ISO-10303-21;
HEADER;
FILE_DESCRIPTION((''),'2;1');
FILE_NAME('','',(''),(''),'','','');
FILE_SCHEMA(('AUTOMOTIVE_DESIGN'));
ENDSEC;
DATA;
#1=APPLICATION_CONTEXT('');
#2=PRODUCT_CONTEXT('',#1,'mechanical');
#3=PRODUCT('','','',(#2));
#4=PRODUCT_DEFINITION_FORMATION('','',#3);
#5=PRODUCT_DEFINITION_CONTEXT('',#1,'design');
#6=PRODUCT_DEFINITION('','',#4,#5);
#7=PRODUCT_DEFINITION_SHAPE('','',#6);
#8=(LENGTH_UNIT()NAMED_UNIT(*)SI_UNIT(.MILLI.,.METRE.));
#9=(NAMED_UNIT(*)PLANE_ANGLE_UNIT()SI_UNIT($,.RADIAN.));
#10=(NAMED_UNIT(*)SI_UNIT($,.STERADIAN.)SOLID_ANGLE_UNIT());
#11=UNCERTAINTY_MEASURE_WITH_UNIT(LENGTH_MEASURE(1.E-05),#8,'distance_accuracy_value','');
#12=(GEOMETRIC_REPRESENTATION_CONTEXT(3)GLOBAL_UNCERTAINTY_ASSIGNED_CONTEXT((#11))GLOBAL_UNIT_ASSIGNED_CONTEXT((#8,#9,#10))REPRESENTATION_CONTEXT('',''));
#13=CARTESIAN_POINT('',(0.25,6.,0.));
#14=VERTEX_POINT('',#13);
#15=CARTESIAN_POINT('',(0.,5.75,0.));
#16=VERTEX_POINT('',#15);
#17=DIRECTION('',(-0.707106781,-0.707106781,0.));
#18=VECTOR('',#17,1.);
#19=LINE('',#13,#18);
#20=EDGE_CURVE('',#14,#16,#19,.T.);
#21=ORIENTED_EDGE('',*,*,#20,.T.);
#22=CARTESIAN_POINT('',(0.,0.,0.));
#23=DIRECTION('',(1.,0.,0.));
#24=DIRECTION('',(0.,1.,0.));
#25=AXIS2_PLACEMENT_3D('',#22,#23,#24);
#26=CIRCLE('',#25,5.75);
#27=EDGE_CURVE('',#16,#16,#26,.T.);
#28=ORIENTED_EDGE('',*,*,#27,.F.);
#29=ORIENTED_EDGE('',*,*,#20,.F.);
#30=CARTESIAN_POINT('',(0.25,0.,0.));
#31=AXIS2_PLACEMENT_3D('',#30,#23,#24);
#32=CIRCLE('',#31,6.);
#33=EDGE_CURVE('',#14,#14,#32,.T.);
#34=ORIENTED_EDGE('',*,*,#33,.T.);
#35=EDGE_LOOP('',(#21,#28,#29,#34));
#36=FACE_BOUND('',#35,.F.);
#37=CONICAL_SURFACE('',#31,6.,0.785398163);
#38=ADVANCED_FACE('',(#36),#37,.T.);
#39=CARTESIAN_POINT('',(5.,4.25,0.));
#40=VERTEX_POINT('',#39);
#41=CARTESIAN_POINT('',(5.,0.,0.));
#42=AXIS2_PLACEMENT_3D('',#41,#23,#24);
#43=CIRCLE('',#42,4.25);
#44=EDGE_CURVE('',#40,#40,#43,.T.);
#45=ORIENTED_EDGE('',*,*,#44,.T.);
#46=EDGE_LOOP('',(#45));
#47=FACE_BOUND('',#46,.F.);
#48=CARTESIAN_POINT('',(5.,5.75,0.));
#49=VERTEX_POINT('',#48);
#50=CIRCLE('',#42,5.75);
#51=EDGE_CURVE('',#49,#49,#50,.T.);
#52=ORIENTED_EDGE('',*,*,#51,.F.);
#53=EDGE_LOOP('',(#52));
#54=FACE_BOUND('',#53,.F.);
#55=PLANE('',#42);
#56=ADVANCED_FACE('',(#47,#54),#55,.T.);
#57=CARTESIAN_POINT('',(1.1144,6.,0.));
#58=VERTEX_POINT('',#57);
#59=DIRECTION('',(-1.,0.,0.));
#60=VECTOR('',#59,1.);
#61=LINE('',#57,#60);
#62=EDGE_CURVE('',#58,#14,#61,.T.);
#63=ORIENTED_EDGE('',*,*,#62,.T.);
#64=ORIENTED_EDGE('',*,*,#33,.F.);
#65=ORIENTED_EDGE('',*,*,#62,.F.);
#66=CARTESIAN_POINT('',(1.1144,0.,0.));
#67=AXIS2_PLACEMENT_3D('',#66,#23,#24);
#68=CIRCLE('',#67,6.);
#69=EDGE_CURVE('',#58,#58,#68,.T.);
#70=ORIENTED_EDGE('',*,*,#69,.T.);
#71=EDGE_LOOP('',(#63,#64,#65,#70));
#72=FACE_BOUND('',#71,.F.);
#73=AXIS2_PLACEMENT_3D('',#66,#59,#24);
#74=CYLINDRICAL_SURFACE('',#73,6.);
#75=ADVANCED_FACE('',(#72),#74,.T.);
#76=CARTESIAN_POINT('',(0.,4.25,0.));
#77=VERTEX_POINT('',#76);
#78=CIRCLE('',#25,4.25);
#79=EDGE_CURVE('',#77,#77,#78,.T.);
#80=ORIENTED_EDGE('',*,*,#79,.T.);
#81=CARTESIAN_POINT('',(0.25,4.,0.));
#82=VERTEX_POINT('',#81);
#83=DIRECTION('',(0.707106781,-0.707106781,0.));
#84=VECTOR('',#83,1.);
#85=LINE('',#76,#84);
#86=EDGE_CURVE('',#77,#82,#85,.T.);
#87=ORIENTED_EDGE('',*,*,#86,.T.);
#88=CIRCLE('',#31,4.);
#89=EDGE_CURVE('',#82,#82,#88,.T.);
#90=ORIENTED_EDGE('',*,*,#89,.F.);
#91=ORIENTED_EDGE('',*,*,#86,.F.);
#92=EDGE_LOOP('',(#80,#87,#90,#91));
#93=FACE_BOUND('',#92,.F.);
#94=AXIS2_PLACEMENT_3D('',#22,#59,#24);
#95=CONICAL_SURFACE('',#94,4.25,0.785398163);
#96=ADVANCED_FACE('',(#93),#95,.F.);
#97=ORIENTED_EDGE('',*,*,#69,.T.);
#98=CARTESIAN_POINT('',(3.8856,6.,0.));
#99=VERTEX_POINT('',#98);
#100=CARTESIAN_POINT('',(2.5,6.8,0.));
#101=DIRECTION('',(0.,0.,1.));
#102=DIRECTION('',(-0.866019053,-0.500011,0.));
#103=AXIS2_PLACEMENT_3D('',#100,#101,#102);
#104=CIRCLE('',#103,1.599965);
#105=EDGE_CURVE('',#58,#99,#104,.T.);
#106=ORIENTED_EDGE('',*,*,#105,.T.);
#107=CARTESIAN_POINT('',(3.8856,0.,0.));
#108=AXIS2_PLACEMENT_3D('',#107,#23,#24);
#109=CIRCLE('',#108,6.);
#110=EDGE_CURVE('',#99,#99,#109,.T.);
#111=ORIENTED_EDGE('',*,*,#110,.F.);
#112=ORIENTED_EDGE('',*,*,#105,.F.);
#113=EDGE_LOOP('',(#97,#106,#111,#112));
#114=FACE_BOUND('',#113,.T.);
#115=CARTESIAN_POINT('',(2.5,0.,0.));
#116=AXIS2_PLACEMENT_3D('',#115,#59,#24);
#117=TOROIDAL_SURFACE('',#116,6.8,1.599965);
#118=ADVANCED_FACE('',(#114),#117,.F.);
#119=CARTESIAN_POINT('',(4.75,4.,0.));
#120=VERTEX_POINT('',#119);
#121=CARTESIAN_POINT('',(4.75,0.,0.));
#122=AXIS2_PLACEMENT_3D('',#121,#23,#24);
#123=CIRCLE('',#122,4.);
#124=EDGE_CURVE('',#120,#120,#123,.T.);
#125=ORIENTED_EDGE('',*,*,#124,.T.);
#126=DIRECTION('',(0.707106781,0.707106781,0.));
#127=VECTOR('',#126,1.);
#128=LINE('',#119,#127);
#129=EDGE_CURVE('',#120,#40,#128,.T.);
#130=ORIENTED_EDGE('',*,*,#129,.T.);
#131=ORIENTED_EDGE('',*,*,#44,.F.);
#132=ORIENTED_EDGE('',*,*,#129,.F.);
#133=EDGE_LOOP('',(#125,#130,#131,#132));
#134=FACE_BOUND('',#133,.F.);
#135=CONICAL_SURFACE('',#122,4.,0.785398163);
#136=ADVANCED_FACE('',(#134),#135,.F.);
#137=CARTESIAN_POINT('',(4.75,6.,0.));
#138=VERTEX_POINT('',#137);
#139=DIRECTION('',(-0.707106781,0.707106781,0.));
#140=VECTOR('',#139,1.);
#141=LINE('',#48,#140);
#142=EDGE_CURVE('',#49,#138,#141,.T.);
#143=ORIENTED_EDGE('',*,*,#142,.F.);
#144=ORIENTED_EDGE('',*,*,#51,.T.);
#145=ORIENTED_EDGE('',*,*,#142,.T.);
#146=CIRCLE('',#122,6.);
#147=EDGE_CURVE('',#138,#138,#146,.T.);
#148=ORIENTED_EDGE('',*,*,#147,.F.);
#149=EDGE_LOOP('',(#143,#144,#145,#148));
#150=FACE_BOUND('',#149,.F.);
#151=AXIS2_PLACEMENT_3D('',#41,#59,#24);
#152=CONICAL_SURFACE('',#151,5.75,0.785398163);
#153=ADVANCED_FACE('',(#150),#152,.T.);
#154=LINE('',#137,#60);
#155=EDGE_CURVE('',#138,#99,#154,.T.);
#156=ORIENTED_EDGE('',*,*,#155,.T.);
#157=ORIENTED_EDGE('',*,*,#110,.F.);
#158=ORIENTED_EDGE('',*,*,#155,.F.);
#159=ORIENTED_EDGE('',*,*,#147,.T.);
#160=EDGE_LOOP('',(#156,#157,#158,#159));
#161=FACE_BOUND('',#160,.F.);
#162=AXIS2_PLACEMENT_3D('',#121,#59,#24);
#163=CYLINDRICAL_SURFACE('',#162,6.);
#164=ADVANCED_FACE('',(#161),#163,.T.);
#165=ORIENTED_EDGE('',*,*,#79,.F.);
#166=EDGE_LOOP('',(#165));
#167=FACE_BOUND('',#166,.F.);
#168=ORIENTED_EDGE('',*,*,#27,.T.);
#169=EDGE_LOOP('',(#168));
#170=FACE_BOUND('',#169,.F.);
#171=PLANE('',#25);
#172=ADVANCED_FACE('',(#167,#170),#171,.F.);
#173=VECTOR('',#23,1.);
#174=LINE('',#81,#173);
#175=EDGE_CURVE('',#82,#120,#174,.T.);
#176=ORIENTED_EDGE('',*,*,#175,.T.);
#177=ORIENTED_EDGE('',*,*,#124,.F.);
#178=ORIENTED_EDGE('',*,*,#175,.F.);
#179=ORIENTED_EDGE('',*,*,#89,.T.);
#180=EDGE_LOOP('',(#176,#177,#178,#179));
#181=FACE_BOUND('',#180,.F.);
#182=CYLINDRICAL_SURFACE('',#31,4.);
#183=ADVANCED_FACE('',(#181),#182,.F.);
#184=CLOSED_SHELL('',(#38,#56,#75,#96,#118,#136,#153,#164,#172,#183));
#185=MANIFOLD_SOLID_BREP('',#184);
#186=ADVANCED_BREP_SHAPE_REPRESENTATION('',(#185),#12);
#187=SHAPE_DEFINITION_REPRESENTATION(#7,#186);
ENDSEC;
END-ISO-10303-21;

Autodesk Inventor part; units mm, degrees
sketch "Sketch_3" plane through (0, 0, 0) normal (0, 0, 1) x (1, 0, 0)
  line L0 (5, 0) -> (0, 0)
  line L1 (0, 4.25) -> (0.25, 4)
  line L2 (0.25, 4) -> (4.75, 4)
  line L3 (4.75, 4) -> (5, 4.25)
  line L4 (5, 4.25) -> (5, 5.75)
  line L5 (5, 5.75) -> (4.75, 6)
  line L6 (4.75, 6) -> (3.8856, 6)
  arc A0 (1.1144, 6) -> (3.8856, 6) centre (2.5, 6.8) ccw
  line L7 (1.1144, 6) -> (0.25, 6)
  line L8 (0.25, 6) -> (0, 5.75)
  line L9 (0, 5.75) -> (0, 4.25)
revolve "Revolution1" add sketch "Sketch_3" angle 360 about axis through (5, 0, 0) along (1, 0, 0)
ref_plane "Dummy_IR_XY" through (0, 0, 0) normal (1, 0, 0) x (0, 0, -1)
ref_plane "Dummy_IR_YZ" through (0, 0, 0) normal (0, 0, -1) x (0, 1, 0)
ref_plane "Dummy_IR_ZX" through (0, 0, 0) normal (0, 1, 0) x (1, 0, 0)
ref_plane "IR_OR_XY" through (0, 0, 0) normal (1, 0, 0) x (0, 0, -1)
ref_plane "IR_OR_YZ" through (0, 0, 0) normal (0, 0, -1) x (0, 1, 0)
ref_plane "IR_OR_ZX" through (0, 0, 0) normal (0, 1, 0) x (1, 0, 0)
properties part number "040102DR-18-H8_ir"
